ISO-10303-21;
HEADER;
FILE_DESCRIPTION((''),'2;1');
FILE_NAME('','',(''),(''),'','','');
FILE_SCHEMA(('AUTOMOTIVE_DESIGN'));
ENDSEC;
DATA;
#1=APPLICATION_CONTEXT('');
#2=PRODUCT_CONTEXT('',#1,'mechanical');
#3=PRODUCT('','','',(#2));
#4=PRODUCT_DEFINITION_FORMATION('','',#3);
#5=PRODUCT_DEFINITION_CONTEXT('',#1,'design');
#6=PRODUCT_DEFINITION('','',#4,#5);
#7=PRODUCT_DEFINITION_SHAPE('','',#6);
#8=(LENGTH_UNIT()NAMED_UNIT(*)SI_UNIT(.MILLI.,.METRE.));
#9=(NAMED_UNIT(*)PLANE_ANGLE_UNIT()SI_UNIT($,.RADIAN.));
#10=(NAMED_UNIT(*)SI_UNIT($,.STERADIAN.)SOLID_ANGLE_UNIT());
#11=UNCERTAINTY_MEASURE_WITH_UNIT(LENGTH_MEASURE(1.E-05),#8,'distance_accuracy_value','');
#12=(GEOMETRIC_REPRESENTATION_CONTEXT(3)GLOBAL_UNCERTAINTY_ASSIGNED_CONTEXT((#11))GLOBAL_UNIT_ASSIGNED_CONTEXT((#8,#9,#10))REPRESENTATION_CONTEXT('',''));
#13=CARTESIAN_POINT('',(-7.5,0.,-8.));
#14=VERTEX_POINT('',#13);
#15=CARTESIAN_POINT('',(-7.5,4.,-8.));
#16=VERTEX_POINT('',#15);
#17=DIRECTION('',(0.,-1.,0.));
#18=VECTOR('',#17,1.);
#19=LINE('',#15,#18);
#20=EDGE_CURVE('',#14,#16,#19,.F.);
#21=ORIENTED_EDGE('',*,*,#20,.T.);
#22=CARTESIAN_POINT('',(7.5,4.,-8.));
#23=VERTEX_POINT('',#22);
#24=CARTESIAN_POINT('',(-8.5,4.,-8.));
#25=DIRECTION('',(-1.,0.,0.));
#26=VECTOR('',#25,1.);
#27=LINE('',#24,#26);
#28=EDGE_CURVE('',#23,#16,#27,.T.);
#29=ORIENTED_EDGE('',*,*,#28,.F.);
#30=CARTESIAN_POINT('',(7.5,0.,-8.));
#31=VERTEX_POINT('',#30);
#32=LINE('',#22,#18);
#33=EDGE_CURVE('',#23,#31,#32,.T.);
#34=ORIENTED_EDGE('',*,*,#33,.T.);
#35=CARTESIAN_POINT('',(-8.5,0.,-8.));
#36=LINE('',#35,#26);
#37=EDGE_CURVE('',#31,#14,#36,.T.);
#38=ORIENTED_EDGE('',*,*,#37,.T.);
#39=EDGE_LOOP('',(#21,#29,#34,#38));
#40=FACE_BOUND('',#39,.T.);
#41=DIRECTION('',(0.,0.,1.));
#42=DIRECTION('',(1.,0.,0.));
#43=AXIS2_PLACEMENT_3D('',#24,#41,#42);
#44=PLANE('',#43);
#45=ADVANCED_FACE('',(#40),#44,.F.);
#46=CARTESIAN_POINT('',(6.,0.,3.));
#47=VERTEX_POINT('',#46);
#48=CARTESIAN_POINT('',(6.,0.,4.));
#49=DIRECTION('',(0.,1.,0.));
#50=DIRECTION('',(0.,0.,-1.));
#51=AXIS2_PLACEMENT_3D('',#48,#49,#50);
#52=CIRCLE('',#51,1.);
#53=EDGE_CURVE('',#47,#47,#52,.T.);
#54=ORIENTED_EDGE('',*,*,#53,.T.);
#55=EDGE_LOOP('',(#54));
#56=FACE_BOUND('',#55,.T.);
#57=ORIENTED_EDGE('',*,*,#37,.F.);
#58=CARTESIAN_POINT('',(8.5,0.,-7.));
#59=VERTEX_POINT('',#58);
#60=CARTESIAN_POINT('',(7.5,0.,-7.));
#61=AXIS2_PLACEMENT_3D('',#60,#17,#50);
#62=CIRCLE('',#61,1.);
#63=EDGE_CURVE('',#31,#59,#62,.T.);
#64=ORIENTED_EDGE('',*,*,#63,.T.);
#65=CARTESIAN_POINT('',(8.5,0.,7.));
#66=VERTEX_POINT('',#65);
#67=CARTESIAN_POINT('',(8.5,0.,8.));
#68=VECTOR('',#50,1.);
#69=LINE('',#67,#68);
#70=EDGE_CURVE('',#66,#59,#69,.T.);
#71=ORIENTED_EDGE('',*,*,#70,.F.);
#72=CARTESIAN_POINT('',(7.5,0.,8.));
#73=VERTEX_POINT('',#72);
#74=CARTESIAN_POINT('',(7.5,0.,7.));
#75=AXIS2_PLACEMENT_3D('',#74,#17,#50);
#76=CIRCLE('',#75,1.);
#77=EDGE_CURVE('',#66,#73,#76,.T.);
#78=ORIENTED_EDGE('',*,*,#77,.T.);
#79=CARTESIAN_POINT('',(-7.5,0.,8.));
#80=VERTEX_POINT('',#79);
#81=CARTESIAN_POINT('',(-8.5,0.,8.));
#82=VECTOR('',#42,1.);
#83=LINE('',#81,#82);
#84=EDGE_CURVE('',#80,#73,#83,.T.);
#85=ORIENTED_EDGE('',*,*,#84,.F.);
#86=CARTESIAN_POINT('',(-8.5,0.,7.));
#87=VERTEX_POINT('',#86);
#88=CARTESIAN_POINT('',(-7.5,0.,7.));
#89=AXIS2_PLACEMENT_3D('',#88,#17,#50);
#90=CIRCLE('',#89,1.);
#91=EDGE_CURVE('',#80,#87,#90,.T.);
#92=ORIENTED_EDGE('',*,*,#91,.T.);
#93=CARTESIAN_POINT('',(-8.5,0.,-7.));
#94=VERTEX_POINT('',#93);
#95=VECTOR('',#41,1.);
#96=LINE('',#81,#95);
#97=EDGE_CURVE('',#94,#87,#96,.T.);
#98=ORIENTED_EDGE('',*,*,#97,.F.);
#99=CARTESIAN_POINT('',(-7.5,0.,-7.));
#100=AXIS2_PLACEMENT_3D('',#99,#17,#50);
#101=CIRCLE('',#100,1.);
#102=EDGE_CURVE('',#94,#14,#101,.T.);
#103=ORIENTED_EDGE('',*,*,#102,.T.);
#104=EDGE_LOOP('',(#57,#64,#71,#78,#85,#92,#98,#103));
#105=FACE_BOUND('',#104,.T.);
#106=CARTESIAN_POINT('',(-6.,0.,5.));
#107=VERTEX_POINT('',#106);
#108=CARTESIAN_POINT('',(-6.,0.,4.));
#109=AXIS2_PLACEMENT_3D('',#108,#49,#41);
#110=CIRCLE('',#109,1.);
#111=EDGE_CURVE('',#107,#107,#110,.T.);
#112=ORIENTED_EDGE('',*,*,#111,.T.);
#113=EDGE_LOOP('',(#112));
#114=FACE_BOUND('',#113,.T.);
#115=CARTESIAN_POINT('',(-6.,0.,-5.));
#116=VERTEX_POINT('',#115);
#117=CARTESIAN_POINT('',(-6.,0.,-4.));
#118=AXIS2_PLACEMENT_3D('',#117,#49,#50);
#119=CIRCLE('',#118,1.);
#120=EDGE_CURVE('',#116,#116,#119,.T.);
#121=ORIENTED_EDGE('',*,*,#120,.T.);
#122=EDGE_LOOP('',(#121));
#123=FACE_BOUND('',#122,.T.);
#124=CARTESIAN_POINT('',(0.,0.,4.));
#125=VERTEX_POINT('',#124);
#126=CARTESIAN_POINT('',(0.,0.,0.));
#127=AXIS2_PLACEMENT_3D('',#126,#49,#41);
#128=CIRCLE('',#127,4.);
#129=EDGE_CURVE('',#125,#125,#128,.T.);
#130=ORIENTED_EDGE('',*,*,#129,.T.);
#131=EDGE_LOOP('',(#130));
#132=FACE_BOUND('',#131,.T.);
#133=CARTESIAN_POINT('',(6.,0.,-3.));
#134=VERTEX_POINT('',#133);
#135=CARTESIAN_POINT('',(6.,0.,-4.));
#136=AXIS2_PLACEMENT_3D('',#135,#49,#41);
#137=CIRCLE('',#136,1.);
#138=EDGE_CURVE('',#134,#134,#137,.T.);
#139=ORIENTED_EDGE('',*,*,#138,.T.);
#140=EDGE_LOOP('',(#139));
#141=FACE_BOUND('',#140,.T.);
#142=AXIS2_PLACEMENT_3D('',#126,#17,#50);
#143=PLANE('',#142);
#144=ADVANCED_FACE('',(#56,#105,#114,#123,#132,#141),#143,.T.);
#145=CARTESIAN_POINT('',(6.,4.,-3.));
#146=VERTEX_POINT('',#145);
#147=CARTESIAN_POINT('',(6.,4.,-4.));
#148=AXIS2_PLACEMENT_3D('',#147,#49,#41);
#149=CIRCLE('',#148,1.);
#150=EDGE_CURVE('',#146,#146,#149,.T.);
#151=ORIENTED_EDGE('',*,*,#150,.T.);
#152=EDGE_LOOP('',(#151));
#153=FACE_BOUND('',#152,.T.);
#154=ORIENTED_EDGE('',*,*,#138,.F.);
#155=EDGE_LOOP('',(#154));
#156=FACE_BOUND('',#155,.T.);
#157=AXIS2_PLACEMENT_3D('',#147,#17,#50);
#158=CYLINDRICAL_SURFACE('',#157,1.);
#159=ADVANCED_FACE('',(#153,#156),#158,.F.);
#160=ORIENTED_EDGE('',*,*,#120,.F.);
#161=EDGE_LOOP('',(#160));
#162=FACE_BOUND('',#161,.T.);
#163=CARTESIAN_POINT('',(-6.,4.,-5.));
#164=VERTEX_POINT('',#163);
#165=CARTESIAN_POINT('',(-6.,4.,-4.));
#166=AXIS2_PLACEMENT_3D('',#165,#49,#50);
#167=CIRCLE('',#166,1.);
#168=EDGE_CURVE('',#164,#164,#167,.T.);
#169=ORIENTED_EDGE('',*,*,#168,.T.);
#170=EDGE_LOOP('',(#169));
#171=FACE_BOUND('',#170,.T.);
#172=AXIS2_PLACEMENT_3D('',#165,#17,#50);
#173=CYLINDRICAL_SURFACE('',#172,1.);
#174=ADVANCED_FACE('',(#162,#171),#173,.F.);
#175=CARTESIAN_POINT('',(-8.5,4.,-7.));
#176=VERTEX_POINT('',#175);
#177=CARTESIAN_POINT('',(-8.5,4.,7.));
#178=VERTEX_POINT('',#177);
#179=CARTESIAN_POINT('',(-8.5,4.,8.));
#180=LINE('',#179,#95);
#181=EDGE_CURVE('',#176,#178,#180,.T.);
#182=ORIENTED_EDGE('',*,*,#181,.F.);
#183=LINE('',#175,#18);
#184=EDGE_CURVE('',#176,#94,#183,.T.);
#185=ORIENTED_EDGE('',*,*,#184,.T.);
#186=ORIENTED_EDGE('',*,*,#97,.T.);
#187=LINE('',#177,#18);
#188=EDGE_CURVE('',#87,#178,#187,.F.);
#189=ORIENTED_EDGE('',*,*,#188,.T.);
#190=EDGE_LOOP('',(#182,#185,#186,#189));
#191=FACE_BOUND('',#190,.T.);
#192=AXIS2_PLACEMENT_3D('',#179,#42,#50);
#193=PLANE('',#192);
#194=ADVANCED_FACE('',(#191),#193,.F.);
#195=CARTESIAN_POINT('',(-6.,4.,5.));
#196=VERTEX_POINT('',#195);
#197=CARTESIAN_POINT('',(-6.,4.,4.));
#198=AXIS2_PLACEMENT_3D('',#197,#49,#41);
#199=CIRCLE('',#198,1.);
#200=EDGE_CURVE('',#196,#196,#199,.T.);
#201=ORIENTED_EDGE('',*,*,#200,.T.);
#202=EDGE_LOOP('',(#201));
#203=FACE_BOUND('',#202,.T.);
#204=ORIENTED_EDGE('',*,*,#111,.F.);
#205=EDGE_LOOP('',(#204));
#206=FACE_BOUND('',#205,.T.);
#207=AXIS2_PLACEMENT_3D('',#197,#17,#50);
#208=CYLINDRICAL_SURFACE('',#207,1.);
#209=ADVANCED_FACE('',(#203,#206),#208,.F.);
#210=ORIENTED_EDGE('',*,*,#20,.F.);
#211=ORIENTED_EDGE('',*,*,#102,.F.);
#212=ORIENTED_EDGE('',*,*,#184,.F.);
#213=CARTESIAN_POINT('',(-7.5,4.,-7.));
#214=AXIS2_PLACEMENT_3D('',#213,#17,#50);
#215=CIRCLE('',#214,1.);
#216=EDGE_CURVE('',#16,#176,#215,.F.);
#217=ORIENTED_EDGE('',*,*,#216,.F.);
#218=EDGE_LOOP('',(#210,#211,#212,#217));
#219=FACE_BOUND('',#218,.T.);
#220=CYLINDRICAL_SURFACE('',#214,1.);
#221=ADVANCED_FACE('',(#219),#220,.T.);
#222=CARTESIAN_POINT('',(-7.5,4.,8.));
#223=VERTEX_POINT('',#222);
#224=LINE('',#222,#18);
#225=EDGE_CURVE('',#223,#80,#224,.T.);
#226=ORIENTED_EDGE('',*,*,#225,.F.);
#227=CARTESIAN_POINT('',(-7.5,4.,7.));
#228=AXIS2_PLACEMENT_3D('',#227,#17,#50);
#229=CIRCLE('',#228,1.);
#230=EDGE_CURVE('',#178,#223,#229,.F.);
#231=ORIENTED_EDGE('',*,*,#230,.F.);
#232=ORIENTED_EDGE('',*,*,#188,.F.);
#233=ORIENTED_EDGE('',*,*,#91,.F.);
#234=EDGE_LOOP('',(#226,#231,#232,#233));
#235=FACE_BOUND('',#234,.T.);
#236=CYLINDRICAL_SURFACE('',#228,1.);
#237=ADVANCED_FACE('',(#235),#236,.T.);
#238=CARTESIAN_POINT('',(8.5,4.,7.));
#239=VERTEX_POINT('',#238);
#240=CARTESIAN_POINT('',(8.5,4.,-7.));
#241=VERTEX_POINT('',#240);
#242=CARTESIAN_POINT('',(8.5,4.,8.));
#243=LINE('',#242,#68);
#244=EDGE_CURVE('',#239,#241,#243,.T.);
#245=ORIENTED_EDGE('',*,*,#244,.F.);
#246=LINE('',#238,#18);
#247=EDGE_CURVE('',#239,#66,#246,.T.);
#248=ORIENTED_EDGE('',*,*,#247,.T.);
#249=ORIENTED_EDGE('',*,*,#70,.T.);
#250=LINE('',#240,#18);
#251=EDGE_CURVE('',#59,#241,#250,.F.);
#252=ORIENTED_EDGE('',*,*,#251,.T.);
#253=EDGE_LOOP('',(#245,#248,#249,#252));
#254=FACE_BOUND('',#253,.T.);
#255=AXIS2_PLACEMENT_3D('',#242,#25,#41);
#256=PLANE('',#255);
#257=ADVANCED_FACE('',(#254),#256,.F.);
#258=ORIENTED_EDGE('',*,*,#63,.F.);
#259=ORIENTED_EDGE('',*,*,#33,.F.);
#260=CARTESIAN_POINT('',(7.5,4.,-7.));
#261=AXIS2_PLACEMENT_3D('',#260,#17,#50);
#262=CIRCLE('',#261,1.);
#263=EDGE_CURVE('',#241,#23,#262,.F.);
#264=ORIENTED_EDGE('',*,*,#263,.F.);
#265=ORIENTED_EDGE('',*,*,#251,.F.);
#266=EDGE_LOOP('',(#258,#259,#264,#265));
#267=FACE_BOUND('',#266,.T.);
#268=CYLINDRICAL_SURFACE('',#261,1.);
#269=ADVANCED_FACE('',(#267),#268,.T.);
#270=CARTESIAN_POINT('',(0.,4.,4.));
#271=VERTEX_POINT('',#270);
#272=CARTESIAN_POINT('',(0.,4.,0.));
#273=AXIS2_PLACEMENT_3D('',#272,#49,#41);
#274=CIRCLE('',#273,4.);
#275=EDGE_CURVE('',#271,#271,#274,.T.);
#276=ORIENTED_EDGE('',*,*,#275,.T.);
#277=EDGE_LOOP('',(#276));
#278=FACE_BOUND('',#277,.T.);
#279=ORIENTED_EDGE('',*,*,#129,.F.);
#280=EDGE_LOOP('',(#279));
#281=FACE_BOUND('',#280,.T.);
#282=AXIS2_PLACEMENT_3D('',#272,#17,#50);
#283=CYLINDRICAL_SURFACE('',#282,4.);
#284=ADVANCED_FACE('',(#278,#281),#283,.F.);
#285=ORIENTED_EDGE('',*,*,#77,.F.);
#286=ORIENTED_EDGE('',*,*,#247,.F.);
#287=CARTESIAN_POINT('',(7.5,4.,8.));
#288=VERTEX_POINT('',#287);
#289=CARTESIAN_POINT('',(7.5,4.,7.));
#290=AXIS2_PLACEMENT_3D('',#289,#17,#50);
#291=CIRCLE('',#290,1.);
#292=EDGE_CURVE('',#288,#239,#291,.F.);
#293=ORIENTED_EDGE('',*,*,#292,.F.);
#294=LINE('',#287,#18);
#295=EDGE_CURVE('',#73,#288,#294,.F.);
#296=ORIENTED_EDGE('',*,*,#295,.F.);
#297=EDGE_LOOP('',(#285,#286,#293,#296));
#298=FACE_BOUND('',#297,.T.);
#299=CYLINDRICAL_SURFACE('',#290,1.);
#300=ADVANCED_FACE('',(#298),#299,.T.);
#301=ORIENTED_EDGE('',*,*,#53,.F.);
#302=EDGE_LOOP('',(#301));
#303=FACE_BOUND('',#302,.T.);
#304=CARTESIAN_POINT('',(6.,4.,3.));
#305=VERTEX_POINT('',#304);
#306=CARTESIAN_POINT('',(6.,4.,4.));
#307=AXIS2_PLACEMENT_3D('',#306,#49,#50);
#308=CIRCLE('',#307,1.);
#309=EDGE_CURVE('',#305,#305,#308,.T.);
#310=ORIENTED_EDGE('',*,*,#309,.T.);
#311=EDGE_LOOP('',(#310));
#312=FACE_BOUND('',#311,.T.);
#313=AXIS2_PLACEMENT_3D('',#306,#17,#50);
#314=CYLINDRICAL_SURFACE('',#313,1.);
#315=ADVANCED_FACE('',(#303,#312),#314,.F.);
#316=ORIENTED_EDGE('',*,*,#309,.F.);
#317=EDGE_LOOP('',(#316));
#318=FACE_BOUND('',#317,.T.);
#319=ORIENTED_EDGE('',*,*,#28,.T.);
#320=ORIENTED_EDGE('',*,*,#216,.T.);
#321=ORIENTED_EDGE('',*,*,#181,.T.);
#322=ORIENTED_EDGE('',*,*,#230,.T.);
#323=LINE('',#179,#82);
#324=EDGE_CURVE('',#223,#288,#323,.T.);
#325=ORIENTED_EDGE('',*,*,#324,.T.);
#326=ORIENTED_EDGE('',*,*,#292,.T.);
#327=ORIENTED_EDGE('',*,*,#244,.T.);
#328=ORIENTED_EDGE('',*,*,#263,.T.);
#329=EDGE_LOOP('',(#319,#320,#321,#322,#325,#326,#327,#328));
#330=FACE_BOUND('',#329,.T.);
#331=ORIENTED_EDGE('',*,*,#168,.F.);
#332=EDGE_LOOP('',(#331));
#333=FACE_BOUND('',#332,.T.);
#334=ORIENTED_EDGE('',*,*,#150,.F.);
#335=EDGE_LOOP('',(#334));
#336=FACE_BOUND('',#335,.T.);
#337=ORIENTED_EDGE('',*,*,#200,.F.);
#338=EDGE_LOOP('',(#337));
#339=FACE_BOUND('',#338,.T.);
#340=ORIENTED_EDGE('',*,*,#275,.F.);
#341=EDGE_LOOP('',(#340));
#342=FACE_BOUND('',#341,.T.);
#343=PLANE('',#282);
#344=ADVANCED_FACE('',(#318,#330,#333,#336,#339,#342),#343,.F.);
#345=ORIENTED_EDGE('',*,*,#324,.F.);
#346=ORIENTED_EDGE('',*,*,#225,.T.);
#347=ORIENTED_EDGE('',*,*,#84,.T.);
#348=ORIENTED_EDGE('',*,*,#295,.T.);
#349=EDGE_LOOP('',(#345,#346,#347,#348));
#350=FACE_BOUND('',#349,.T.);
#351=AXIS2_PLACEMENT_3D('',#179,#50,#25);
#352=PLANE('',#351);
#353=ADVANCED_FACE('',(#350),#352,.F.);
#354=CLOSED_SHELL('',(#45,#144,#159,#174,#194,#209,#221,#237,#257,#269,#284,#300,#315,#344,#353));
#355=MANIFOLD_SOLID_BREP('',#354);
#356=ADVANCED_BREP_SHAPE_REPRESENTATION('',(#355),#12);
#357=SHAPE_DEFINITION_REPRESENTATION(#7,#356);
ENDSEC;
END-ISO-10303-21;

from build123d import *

# Parameters (mm, degrees)
SKETCH_1_W      = 17
SKETCH_1_H      = 16
SKETCH_1_R      = 1
SKETCH_1_R_2    = 4
EXTRUDE_1_DEPTH = 4
FILLET_1_R      = 1


with BuildPart() as part:
    # 草图1 → 凸台-拉伸1 (new body)
    with BuildSketch(Plane(origin=(0, 0, 0), x_dir=(1, 0, 0), z_dir=(0, 1, 0))):
        Rectangle(SKETCH_1_W, SKETCH_1_H)
        with Locations(Location((6, 4, 0), (0, 0, 270))):
            Circle(SKETCH_1_R, mode=Mode.SUBTRACT)
        with Locations(Location((-6, 4, 0), (0, 0, 90))):
            Circle(SKETCH_1_R, mode=Mode.SUBTRACT)
        with Locations(Location((6, -4, 0), (0, 0, 90))):
            Circle(SKETCH_1_R, mode=Mode.SUBTRACT)
        with Locations(Location((-6, -4, 0), (0, 0, 270))):
            Circle(SKETCH_1_R, mode=Mode.SUBTRACT)
        with Locations(Location((0, 0, 0), (0, 0, 270))):
            Circle(SKETCH_1_R_2, mode=Mode.SUBTRACT)
    extrude(amount=EXTRUDE_1_DEPTH)

    # 圆角1
    fillet_1_edges = [part.edges().sort_by_distance(p)[0] for p in [
        (8.5, 2, 8),
        (-8.5, 2, 8),
        (-8.5, 2, -8),
        (8.5, 2, -8),
    ]]
    fillet(fillet_1_edges, radius=FILLET_1_R)


solid = part.part
